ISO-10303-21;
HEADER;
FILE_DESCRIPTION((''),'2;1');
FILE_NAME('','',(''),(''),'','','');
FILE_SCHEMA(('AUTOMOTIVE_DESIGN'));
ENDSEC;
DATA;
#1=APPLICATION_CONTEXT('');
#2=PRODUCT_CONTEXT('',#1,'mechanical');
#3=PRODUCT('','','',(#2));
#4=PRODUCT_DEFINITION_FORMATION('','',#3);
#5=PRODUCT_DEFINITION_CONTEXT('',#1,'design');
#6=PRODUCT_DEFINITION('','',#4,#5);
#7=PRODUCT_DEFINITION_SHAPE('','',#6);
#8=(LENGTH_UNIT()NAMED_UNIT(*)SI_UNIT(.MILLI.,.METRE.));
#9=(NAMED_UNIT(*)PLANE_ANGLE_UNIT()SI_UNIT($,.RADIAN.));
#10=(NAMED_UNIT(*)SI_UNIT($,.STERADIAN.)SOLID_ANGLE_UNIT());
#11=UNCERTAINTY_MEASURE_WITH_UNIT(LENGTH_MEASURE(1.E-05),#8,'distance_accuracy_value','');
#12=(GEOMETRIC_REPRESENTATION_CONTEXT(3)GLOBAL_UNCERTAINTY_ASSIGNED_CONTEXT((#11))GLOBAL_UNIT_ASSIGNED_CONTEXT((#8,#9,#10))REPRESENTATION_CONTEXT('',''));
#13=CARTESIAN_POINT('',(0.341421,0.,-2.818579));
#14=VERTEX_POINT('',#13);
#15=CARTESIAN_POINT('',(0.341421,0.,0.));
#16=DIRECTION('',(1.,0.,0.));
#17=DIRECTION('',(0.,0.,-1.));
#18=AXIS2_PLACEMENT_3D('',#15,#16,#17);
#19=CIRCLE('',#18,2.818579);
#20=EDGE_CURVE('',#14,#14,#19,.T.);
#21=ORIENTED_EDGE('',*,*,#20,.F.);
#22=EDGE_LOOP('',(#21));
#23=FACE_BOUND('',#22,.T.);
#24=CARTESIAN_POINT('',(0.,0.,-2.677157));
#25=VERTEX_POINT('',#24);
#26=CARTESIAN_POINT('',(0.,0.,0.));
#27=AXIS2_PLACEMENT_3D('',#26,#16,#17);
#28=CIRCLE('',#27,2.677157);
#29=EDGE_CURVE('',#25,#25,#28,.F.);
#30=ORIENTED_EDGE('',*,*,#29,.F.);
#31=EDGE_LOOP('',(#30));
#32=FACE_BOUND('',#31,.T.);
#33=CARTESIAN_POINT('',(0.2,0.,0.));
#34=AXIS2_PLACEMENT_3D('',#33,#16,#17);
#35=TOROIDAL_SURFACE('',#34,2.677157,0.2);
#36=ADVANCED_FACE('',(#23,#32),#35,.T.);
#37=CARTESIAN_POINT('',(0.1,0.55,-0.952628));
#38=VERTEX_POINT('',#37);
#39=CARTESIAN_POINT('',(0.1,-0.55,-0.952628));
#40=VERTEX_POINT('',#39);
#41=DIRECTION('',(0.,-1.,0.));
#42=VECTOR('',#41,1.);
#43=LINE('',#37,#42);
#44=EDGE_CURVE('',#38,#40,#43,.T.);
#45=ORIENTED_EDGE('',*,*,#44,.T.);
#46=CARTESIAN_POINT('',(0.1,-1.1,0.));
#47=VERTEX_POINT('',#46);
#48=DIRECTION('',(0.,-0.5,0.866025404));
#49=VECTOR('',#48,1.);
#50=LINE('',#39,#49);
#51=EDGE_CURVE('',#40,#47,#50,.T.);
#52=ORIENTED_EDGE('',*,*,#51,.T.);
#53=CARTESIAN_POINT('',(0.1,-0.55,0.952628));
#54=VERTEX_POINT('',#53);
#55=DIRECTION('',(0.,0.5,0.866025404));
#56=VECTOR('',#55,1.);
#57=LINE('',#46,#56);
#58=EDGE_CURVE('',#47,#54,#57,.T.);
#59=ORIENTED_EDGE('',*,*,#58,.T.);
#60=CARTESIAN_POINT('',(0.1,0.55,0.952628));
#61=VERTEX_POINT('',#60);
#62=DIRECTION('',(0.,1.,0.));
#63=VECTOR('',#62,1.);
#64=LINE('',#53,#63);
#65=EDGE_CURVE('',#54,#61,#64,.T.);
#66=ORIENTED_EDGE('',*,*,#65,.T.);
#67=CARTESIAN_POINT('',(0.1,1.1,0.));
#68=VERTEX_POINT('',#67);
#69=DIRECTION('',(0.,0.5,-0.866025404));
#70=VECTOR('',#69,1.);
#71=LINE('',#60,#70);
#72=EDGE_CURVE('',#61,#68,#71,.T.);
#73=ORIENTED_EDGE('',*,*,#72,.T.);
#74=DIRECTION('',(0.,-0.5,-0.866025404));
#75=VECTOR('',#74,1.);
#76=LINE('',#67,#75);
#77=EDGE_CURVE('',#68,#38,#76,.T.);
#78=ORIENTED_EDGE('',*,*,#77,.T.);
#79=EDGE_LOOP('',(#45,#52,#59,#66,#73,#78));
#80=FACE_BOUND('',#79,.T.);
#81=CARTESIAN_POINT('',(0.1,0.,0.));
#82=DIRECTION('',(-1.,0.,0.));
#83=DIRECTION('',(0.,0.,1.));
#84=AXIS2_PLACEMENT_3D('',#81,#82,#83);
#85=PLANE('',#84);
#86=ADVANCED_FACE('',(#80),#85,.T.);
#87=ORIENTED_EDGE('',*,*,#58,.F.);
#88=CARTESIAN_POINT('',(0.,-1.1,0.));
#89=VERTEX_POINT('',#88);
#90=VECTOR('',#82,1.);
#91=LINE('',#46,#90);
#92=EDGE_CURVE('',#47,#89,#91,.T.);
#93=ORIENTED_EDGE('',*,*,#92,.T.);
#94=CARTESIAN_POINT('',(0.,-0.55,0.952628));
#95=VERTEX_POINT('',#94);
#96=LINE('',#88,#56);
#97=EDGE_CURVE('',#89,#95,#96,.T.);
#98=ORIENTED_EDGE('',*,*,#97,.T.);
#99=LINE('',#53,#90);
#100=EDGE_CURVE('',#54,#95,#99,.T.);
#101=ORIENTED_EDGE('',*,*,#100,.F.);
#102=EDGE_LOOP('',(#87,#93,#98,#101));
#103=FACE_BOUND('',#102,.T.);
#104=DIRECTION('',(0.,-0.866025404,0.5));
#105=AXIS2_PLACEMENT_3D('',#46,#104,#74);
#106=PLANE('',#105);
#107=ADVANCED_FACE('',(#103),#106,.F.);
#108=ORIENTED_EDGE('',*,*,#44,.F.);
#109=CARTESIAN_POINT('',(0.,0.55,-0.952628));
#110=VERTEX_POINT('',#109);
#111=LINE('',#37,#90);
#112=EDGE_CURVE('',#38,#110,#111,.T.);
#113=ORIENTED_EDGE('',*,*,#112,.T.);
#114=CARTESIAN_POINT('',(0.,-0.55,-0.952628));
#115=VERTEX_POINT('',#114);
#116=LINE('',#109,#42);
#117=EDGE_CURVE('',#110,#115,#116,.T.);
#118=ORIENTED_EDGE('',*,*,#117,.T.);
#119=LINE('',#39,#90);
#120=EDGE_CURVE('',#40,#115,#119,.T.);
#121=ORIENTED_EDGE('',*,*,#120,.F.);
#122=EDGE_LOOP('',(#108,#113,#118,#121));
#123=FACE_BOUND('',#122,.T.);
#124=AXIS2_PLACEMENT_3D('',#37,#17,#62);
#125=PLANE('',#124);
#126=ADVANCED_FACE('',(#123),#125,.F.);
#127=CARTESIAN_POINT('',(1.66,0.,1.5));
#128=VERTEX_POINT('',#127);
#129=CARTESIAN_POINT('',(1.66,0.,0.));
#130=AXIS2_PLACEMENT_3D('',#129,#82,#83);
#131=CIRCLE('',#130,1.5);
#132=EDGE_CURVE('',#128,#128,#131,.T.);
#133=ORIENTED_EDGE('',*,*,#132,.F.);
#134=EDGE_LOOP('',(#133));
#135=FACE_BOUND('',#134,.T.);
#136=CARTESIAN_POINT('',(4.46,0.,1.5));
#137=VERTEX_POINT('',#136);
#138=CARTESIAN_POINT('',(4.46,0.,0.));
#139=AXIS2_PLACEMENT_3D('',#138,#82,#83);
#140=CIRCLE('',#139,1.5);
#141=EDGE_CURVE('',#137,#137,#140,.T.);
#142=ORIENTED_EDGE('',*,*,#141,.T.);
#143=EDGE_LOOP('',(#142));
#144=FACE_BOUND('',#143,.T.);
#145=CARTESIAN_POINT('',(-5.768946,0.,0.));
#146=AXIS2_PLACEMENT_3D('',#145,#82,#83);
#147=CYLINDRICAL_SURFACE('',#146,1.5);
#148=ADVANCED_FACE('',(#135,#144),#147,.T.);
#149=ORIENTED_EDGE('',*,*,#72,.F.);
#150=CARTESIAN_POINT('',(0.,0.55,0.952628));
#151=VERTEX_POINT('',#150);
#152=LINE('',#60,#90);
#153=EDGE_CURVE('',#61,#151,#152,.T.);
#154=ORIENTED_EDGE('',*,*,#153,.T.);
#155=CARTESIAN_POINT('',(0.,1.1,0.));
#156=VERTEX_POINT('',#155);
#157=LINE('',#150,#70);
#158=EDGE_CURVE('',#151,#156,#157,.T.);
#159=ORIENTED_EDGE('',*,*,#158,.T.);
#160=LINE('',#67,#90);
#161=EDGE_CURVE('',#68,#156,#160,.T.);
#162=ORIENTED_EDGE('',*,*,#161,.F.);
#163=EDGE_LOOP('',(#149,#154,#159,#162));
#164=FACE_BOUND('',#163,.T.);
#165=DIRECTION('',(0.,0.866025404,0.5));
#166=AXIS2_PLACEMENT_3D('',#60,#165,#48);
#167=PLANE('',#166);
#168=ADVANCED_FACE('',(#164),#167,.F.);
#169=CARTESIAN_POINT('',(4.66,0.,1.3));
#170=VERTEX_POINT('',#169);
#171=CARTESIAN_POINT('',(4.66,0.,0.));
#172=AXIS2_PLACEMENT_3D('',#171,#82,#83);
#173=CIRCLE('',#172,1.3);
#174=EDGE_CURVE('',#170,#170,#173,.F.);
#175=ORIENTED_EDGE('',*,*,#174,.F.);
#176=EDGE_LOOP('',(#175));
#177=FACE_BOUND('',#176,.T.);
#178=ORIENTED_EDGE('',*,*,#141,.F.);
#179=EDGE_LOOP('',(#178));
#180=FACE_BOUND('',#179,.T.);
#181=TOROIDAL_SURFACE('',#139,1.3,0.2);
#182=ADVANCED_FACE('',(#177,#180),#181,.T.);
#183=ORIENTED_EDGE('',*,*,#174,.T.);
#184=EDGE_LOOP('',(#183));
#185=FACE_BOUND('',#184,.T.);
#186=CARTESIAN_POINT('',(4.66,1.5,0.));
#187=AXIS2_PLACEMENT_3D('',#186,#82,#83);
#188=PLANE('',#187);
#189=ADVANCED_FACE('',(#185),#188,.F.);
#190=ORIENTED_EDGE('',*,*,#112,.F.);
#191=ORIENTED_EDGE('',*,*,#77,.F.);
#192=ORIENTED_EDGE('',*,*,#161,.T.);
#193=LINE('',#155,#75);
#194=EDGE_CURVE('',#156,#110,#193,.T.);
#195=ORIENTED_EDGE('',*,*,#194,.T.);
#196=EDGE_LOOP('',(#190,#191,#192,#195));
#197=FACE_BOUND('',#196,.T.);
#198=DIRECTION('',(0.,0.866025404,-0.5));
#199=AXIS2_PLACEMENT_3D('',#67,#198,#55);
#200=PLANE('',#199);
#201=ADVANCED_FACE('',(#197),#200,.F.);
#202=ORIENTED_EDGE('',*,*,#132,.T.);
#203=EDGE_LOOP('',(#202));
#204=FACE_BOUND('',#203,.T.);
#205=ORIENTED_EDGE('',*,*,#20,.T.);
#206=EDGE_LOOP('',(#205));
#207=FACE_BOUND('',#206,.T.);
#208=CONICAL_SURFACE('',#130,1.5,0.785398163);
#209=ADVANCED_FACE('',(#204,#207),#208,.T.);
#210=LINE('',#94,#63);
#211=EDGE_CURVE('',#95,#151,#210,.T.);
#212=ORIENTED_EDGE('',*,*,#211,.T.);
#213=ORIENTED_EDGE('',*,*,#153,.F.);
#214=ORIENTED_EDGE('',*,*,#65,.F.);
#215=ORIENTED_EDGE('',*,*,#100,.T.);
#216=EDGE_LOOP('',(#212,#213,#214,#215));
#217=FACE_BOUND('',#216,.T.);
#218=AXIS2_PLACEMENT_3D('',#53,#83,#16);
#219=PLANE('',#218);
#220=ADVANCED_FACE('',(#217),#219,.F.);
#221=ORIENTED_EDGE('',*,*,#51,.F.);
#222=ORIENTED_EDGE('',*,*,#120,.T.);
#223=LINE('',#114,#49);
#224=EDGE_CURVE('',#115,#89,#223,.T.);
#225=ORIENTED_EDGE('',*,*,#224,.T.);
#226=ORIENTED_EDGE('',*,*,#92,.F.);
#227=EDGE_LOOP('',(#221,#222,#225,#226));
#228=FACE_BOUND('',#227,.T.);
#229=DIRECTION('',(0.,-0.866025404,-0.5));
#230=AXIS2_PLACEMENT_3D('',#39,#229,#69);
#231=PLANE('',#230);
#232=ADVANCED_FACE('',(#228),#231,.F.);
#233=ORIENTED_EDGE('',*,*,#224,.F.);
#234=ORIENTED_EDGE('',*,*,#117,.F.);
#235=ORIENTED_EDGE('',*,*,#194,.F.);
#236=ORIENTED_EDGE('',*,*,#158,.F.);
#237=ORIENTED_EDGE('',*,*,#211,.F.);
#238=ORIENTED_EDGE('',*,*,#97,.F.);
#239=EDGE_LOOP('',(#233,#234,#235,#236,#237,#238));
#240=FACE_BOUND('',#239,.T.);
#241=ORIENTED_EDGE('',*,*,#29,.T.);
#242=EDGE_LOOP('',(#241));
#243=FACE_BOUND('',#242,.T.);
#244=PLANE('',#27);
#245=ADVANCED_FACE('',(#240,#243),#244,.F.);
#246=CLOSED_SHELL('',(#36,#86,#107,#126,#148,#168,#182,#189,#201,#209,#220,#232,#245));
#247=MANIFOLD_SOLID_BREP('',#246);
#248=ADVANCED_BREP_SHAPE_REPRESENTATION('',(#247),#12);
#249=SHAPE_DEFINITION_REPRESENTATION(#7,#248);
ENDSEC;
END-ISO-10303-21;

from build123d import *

# Parameters (mm, degrees)
ENL_V_MAT_EXTRU_1_DEPTH = 0.1
CONG_1_R                = 0.2


with BuildPart() as part:
    # Esquisse1 → Révolution1 (revolve)
    with BuildSketch(Plane.XY, mode=Mode.PRIVATE) as r_volution1_sk:
        Polygon((0, 0), (0, 3.16), (1.66, 1.5), (4.66, 1.5), (4.66, 0), align=None)
    revolve(r_volution1_sk.sketch.rotate(Axis((-5.768945874, 0, 0), (1, 0, 0)), 90), axis=Axis((-5.768945874, 0, 0), (1, 0, 0)))

    # Esquisse2 → Enlèv. mat.-Extru.1 (cut)
    with BuildSketch(Plane.ZY):
        Polygon((0, -1.1), (0.952627944, -0.55), (0.952627944, 0.55), (0, 1.1), (-0.952627944, 0.55), (-0.952627944, -0.55), align=None)
    extrude(amount=-ENL_V_MAT_EXTRU_1_DEPTH, mode=Mode.SUBTRACT)

    # Congé1
    cong_1_edges = [part.edges().sort_by_distance(p)[0] for p in [
        (4.66, 0, -1.5),
        (0, 0, -3.16),
    ]]
    fillet(cong_1_edges, radius=CONG_1_R)


solid = part.part
